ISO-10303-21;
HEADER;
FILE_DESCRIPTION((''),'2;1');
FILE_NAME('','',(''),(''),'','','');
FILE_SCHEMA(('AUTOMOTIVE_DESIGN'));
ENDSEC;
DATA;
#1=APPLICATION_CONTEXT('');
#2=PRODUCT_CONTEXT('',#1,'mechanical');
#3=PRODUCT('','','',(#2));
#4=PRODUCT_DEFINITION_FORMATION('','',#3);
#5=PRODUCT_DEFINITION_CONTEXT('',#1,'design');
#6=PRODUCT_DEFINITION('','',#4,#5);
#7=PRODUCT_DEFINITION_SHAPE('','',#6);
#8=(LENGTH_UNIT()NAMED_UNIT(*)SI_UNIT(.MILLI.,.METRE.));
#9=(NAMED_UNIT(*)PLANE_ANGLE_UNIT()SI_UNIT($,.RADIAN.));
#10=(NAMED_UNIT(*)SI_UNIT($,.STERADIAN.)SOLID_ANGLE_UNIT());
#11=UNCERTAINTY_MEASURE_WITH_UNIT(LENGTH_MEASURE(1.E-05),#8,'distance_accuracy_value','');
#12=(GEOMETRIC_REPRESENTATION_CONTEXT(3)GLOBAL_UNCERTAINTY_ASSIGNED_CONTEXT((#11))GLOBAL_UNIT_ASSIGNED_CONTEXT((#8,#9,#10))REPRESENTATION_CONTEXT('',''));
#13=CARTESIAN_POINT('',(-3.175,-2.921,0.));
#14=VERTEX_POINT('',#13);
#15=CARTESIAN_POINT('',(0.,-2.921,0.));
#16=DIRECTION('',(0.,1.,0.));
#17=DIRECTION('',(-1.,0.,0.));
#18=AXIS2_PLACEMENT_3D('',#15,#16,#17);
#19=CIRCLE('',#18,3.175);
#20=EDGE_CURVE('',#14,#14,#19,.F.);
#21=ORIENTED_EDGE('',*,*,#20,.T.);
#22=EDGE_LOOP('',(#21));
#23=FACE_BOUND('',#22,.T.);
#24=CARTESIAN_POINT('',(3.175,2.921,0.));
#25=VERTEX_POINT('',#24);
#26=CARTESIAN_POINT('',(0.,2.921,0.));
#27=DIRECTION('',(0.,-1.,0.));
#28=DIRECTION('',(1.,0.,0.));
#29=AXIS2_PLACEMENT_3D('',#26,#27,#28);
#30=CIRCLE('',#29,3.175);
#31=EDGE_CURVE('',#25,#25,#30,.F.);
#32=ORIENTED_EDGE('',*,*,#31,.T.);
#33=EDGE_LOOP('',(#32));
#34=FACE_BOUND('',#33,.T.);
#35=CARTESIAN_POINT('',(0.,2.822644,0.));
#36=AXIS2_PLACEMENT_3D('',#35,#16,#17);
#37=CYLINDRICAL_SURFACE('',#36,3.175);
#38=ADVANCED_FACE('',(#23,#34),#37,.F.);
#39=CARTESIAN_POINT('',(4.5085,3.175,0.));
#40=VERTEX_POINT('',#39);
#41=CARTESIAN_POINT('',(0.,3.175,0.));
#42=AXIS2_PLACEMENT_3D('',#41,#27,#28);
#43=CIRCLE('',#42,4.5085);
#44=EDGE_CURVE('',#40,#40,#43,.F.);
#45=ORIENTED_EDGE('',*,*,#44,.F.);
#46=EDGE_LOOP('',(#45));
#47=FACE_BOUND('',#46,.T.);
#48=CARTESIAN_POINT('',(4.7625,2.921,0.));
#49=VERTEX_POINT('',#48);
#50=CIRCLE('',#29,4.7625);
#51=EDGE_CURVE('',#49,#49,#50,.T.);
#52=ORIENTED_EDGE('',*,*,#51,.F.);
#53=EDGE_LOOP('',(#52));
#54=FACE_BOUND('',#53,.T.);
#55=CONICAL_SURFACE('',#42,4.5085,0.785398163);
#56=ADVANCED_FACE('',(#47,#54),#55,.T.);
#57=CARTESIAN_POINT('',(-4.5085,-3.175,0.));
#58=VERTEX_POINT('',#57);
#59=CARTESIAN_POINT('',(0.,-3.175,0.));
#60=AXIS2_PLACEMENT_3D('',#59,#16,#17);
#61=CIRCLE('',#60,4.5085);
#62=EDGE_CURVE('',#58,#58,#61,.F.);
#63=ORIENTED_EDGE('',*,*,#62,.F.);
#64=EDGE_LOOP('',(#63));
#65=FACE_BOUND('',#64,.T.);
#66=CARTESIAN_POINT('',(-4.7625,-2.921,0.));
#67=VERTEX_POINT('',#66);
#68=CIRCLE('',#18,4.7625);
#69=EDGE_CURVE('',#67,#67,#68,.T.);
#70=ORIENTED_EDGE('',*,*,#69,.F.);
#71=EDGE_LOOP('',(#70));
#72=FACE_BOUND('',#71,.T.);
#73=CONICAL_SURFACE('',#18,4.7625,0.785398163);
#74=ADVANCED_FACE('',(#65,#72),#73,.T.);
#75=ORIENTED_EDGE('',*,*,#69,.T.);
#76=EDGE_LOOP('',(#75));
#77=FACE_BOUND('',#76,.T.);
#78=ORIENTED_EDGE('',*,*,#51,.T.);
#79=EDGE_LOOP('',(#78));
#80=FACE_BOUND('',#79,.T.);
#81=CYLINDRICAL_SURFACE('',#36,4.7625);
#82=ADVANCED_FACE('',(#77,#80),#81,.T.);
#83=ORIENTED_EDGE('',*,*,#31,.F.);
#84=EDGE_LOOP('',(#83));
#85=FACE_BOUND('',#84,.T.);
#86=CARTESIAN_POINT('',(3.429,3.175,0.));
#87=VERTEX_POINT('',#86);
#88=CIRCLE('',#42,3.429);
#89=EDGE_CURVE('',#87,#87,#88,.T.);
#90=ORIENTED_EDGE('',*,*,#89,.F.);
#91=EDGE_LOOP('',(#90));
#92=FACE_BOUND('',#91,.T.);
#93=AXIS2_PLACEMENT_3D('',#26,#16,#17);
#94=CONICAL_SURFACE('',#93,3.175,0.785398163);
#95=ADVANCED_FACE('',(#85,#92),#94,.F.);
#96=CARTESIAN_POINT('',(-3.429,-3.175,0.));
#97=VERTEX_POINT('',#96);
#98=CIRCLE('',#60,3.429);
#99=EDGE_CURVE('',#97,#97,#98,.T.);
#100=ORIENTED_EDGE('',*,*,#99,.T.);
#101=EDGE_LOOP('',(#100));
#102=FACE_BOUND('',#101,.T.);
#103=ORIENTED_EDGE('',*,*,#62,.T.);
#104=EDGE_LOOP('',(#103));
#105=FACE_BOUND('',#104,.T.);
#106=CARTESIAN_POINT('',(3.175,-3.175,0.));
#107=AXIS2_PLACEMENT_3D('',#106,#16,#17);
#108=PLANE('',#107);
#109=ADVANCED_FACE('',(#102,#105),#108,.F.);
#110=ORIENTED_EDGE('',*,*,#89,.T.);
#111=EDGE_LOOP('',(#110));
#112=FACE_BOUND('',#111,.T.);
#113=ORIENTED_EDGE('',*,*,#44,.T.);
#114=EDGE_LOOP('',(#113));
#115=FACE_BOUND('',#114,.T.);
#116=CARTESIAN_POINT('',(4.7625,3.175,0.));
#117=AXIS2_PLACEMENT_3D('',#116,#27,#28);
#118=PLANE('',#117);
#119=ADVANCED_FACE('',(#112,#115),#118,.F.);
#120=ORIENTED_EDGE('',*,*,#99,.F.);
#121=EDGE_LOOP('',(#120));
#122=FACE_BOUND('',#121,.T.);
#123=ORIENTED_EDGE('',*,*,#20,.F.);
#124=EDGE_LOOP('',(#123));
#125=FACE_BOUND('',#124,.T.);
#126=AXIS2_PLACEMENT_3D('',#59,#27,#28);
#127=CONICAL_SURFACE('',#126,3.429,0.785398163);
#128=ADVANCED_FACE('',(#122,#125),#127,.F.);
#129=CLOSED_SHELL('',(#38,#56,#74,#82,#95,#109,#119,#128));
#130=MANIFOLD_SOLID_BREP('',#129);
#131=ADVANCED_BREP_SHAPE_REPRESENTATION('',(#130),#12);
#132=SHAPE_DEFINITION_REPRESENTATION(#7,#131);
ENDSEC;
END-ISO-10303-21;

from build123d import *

# Parameters (mm, degrees)
SKETCH1_W     = 1.5875
SKETCH1_H     = 6.35
CHAMFER1_SIZE = 0.254


with BuildPart() as part:
    # Sketch1 → Revolve1 (revolve)
    with BuildSketch(Plane.XY):
        with Locations((3.96875, 0)):
            Rectangle(SKETCH1_W, SKETCH1_H)
    revolve(axis=Axis((0, 2.822643956, 0), (0, -1, 0)))

    # Chamfer1
    chamfer1_edges = [part.edges().sort_by_distance(p)[0] for p in [
        (-4.7625, 3.175, 0),
        (-4.7625, -3.175, 0),
        (-3.175, -3.175, 0),
        (-3.175, 3.175, 0),
    ]]
    chamfer(chamfer1_edges, length=CHAMFER1_SIZE)


solid = part.part
